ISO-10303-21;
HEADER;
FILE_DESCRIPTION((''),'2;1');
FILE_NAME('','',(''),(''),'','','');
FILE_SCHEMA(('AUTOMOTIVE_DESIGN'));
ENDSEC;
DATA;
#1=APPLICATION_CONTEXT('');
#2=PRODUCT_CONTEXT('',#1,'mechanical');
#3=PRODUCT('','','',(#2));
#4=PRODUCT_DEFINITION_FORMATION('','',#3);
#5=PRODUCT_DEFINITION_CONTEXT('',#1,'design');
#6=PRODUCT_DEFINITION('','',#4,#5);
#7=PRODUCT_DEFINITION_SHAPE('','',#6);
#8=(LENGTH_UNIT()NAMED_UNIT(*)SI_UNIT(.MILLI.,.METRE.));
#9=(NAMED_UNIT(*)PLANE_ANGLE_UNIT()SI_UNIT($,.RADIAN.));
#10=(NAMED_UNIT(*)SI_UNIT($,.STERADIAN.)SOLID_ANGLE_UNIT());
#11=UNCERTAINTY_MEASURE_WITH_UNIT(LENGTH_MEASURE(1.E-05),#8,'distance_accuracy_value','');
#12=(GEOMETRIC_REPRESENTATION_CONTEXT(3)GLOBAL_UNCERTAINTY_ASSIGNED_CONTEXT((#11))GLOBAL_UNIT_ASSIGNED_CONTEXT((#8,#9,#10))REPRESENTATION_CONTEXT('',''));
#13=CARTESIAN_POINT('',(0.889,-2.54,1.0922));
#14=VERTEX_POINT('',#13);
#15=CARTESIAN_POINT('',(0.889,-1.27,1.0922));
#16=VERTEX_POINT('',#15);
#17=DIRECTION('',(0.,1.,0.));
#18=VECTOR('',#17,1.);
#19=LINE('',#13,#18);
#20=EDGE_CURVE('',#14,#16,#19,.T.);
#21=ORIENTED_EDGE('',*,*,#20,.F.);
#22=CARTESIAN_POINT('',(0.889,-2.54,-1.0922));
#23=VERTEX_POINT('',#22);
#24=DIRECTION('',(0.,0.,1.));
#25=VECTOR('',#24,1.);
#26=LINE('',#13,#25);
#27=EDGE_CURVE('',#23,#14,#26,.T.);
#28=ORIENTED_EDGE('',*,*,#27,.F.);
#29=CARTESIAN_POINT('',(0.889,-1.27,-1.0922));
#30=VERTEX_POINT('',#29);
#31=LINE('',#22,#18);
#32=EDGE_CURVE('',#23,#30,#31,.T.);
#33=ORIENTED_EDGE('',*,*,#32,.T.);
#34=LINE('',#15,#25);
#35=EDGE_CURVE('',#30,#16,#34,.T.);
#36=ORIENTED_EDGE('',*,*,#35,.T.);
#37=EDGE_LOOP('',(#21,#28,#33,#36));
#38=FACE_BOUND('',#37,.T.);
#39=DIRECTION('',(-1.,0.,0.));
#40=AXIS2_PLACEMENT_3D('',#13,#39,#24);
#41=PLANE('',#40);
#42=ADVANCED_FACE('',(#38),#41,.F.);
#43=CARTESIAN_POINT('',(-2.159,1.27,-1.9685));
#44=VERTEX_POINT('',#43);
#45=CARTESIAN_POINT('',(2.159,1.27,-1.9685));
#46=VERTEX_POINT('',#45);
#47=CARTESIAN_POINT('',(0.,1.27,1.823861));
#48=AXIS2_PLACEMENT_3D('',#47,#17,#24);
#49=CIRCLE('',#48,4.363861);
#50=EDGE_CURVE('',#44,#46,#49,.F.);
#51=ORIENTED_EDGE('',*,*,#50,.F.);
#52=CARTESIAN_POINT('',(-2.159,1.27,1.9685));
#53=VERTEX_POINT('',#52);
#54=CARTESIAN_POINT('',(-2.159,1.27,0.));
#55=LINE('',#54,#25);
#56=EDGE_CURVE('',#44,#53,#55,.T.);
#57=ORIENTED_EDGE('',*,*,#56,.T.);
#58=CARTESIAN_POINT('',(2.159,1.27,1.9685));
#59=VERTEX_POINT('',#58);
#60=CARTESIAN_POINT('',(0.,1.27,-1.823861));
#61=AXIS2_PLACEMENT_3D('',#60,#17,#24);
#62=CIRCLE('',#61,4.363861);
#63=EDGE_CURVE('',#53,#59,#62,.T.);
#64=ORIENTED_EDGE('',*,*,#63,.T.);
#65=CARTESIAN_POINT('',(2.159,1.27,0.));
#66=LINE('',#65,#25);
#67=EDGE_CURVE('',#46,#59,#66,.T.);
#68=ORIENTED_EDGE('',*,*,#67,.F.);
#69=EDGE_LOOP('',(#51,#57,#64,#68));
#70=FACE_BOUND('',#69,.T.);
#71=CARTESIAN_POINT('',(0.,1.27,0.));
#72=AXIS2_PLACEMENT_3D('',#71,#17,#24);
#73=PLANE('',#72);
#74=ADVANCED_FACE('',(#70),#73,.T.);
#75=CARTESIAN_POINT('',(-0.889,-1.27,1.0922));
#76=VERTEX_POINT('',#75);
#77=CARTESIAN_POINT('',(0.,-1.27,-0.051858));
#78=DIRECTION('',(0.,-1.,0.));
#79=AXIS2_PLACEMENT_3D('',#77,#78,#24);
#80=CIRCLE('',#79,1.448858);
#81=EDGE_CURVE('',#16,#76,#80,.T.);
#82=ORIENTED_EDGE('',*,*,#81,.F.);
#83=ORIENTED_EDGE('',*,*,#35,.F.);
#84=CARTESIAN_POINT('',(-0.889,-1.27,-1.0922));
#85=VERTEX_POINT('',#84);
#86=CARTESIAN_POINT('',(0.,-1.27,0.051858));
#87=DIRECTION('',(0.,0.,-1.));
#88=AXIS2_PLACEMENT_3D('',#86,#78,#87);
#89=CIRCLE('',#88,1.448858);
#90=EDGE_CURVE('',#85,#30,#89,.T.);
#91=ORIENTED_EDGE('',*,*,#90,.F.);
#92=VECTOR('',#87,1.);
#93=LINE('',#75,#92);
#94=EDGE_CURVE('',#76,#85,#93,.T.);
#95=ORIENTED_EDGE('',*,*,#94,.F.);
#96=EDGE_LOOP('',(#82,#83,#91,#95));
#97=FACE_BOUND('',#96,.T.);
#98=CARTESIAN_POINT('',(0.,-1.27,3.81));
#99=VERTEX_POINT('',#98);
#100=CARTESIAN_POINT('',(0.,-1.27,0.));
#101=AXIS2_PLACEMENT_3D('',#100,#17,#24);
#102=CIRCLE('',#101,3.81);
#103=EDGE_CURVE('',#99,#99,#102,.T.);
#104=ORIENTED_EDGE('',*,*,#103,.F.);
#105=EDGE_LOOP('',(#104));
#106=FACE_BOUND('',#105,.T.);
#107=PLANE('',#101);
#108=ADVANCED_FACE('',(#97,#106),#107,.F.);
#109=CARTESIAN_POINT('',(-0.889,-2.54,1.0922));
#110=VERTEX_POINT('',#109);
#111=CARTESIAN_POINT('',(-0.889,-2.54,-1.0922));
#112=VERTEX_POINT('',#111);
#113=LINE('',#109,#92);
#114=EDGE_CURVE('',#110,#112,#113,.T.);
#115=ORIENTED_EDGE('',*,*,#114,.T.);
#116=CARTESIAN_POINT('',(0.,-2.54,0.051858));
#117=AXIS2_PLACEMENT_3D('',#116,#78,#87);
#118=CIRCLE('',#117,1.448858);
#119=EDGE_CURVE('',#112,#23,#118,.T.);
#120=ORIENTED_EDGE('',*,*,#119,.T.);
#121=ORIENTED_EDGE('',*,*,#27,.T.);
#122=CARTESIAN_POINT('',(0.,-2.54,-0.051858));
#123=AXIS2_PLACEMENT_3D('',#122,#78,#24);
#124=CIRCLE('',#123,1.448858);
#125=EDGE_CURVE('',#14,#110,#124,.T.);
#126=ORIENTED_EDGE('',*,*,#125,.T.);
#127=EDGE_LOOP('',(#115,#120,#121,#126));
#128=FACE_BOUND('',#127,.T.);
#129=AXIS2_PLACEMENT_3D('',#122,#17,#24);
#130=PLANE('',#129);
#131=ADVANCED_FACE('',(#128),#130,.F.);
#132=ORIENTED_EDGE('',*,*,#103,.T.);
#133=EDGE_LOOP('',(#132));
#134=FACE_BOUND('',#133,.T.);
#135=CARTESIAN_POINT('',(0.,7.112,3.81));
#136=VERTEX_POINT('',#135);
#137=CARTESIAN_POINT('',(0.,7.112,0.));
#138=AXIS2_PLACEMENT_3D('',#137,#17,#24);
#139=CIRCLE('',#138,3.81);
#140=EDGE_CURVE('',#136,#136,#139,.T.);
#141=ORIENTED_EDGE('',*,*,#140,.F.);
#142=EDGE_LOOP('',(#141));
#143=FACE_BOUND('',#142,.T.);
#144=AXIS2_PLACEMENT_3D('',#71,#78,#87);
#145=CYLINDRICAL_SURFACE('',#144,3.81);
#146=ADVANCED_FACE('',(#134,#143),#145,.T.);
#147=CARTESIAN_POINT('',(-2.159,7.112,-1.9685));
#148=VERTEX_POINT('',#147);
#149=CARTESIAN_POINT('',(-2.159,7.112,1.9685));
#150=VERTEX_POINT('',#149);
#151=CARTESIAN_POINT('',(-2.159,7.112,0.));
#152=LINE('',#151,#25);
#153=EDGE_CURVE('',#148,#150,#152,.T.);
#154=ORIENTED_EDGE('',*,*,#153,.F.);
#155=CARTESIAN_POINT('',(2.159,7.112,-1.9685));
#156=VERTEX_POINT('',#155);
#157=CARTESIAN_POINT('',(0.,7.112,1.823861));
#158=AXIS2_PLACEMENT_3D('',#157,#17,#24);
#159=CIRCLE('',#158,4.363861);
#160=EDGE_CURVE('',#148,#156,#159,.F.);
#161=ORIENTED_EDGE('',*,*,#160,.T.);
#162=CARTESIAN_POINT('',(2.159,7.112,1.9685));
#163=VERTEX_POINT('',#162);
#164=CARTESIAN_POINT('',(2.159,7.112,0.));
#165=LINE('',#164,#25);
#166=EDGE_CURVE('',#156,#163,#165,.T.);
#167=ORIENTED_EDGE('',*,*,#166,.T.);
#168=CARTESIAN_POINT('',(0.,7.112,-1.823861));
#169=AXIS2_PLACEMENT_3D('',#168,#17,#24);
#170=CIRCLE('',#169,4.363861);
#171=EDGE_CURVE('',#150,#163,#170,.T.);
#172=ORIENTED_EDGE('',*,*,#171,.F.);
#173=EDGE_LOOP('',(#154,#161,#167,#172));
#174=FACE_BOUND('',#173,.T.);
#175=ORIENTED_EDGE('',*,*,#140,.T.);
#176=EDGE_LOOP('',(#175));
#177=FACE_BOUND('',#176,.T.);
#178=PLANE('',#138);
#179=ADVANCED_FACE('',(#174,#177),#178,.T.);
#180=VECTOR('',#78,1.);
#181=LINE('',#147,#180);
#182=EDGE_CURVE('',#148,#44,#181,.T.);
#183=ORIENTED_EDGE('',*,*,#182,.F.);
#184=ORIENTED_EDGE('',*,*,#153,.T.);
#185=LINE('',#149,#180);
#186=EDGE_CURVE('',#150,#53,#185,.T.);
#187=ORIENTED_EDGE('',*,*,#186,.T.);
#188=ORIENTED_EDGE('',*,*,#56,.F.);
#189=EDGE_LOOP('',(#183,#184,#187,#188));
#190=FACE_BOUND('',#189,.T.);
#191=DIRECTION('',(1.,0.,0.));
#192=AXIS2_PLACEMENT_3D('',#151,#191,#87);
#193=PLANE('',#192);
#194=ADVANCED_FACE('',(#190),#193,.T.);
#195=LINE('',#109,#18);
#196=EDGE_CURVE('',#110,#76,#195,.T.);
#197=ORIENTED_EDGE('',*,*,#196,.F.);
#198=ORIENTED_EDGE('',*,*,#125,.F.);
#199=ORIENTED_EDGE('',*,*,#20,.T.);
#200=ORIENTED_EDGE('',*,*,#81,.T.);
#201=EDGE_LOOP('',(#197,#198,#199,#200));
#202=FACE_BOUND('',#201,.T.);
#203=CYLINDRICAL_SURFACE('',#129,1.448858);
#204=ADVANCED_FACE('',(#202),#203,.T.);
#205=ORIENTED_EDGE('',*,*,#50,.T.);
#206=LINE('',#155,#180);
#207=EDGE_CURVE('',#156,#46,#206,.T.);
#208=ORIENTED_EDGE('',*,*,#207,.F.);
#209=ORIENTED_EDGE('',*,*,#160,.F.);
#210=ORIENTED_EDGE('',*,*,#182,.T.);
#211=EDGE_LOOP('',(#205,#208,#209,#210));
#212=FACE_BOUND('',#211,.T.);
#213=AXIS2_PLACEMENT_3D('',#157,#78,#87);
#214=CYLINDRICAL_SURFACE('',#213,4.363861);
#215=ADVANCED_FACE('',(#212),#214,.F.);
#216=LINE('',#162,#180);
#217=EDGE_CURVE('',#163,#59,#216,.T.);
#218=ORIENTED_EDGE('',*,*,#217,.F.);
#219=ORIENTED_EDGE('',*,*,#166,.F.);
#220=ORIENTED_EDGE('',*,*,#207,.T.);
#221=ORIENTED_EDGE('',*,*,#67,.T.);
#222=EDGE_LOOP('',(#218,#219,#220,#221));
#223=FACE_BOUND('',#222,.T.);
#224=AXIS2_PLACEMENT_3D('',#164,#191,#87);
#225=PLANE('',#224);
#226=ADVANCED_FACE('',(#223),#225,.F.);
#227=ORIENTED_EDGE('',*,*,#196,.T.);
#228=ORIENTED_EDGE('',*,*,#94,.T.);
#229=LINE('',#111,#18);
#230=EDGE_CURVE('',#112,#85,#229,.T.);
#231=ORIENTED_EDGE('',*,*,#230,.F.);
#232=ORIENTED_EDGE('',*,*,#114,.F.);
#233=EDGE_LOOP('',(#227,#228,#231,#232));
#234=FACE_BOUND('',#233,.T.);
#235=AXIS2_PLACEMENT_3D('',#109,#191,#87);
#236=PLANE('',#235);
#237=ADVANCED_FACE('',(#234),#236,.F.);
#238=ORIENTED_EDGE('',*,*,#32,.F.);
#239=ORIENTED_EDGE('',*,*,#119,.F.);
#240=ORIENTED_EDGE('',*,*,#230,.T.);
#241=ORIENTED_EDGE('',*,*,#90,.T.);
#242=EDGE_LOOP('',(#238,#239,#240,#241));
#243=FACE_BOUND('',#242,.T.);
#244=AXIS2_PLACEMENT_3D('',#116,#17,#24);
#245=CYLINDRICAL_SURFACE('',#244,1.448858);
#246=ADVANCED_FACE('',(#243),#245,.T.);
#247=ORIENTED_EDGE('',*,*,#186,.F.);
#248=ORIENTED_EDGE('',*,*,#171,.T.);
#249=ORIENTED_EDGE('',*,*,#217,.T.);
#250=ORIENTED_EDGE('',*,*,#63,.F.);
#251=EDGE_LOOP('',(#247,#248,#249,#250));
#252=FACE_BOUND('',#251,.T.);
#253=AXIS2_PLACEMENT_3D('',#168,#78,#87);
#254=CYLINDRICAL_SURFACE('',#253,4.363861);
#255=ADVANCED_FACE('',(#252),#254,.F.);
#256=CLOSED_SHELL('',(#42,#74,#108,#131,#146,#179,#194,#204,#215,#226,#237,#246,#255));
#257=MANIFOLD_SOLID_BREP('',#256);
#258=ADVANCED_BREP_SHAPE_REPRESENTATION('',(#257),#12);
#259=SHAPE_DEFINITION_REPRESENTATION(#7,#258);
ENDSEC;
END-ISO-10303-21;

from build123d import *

# Parameters (mm, degrees)
SKETCH2_R           = 3.81
BOSS_EXTRUDE1_DEPTH = 1.27
BOSS_EXTRUDE2_DEPTH = 1.27
BOSS_EXTRUDE3_START = 5.842
SKETCH4_R           = 3.81
BOSS_EXTRUDE3_DEPTH = 5.842


with BuildPart() as part:
    # Sketch2 → Boss-Extrude1 (new, symmetric)
    with BuildSketch(Plane(origin=(0, 0, 0), x_dir=(1, 0, 0), z_dir=(0, 1, 0))):
        with Locations(Location((0, 0, 0), (0, 0, 270))):
            Circle(SKETCH2_R)
    extrude(amount=BOSS_EXTRUDE1_DEPTH, both=True)

    # Sketch3 → Boss-Extrude2 (add)
    with BuildSketch(Plane.XZ.offset(1.27)):
        with BuildLine():
            Line((-0.889, 1.0922), (-0.889, -1.0922))
            ThreePointArc((-0.889, -1.0922), (0, -1.397), (0.889, -1.0922))
            Line((0.889, -1.0922), (0.889, 1.0922))
            ThreePointArc((0.889, 1.0922), (0, 1.397), (-0.889, 1.0922))
        make_face()
    extrude(amount=BOSS_EXTRUDE2_DEPTH)

    # Sketch4 → Boss-Extrude3 (add)
    with BuildSketch(Plane(origin=(0, 1.27, 0), x_dir=(1, 0, 0), z_dir=(0, 1, 0)).offset(BOSS_EXTRUDE3_START)):
        with Locations(Location((0, 0, 0), (0, 0, 270))):
            Circle(SKETCH4_R)
        with BuildLine():
            Line((-2.159, 1.9685), (-2.159, -1.9685))
            ThreePointArc((-2.159, -1.9685), (0, -2.54), (2.159, -1.9685))
            Line((2.159, -1.9685), (2.159, 1.9685))
            ThreePointArc((2.159, 1.9685), (0, 2.54), (-2.159, 1.9685))
        make_face(mode=Mode.SUBTRACT)
    extrude(amount=-BOSS_EXTRUDE3_DEPTH)


solid = part.part
